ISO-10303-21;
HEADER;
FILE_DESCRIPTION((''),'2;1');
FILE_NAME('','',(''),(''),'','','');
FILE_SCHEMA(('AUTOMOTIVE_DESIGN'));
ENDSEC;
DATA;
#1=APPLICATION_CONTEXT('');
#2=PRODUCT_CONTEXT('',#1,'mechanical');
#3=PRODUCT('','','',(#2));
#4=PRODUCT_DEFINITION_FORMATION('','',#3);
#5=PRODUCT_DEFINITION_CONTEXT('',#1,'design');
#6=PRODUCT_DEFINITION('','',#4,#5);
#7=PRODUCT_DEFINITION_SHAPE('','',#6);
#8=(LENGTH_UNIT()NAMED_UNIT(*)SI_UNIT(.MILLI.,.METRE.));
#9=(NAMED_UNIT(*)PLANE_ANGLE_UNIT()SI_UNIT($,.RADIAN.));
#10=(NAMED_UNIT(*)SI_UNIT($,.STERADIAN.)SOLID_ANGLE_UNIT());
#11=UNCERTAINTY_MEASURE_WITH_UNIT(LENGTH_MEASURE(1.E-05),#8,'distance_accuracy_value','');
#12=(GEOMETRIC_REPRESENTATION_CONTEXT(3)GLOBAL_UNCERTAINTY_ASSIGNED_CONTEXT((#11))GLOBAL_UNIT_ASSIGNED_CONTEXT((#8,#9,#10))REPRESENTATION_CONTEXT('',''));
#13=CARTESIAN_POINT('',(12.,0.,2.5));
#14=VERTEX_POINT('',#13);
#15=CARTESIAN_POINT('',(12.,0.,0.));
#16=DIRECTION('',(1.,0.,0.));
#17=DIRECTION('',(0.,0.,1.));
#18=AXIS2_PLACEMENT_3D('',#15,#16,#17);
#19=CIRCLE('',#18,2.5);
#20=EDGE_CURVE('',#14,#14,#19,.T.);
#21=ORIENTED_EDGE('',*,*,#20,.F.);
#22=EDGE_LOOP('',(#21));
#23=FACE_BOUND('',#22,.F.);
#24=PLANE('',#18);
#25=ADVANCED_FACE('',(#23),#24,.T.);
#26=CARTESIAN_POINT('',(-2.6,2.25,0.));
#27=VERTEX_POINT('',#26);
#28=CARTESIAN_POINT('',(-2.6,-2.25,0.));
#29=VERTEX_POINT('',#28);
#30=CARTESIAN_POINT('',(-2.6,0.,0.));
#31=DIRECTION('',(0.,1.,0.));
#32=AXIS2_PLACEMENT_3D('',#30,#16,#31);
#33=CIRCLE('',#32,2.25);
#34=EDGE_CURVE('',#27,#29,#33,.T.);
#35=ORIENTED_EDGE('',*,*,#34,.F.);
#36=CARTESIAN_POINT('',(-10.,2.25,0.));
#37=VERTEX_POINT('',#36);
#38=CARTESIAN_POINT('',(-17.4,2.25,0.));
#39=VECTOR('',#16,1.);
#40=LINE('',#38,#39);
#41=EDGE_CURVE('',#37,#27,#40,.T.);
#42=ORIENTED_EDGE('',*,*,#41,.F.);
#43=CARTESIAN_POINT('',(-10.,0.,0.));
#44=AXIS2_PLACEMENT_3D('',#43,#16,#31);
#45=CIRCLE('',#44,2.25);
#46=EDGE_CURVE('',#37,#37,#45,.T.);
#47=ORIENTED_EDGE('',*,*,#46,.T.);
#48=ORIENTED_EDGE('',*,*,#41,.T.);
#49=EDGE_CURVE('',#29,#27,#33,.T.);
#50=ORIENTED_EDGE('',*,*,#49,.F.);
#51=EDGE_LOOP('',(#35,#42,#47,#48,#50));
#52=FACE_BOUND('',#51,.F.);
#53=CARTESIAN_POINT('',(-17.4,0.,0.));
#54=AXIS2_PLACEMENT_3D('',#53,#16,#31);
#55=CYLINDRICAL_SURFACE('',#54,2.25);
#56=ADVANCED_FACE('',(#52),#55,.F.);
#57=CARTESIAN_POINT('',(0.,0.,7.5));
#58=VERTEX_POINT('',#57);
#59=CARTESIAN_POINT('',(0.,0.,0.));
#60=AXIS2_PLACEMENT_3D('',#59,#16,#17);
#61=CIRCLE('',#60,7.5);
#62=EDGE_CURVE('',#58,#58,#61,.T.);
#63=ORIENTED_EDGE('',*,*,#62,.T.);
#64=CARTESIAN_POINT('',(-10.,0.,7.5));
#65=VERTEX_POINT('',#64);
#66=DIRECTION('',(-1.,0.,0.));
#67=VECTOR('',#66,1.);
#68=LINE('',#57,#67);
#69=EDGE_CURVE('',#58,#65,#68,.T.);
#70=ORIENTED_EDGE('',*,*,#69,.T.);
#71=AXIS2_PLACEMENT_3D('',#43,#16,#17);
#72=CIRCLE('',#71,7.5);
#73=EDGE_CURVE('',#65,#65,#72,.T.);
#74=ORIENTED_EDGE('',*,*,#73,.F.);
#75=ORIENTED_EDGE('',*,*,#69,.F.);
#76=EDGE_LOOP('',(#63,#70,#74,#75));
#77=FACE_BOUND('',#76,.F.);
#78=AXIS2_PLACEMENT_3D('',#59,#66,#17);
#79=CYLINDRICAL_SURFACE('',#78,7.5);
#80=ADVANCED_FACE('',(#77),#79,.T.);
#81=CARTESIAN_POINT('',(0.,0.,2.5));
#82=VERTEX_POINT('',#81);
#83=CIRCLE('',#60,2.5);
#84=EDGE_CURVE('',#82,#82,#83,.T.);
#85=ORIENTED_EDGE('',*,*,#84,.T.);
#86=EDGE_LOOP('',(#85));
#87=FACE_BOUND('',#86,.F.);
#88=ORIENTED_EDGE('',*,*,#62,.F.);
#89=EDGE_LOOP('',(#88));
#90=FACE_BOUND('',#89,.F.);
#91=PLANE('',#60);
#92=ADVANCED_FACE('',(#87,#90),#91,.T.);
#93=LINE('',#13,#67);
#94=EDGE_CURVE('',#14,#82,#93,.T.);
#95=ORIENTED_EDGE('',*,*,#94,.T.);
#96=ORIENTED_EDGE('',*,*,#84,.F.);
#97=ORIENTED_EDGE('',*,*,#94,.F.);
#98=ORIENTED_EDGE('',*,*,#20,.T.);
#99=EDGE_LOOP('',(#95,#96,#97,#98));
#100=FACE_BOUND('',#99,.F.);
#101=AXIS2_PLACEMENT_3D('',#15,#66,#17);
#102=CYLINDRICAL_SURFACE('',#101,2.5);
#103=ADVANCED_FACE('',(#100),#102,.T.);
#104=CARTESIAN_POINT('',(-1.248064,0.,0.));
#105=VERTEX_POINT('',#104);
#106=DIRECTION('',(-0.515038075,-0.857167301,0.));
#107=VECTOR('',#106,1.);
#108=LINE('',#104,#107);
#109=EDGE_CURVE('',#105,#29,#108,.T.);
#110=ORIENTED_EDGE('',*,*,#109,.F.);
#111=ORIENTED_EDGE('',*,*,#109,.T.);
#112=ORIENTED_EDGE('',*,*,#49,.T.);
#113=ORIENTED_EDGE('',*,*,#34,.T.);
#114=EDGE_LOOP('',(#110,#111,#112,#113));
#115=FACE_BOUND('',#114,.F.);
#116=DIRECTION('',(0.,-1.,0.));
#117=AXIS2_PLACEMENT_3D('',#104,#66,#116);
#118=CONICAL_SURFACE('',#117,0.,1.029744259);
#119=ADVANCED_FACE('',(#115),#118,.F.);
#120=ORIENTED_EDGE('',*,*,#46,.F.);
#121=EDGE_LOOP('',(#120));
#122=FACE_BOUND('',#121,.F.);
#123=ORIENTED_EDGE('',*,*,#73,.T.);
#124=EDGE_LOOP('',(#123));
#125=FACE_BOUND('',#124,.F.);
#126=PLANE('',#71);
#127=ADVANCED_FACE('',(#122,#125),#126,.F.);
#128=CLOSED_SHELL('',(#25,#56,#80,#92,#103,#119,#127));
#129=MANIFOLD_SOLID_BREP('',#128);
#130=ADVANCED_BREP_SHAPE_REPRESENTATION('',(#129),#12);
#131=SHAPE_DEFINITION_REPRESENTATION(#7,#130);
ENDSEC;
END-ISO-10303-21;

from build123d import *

# Parameters (mm, degrees)
F3_D     = 4.5
F3_DEPTH = 7.4
F3_TIP   = 1.3519363928


with BuildPart() as f1:
    # F0 (on Front) → F1 (revolve)
    with BuildSketch(Plane.XZ):
        Polygon((0, 7.5), (-10, 7.5), (-10, 0), (12, 0), (12, 2.5), (0, 2.5), align=None)
    revolve(axis=Axis((1, 0, 0), (1, 0, 0)))

    # F3
    with Locations(Plane(origin=(-10, 0, 0), x_dir=(0, -1, 0), z_dir=(-1, 0, 0))):
        with Locations((0, 0)):
            Hole(F3_D / 2, depth=F3_DEPTH)
            with Locations((0, 0, -(F3_DEPTH + F3_TIP / 2))):  # 118° drill point
                Cone(0, F3_D / 2, F3_TIP, mode=Mode.SUBTRACT)


solid = f1.part
